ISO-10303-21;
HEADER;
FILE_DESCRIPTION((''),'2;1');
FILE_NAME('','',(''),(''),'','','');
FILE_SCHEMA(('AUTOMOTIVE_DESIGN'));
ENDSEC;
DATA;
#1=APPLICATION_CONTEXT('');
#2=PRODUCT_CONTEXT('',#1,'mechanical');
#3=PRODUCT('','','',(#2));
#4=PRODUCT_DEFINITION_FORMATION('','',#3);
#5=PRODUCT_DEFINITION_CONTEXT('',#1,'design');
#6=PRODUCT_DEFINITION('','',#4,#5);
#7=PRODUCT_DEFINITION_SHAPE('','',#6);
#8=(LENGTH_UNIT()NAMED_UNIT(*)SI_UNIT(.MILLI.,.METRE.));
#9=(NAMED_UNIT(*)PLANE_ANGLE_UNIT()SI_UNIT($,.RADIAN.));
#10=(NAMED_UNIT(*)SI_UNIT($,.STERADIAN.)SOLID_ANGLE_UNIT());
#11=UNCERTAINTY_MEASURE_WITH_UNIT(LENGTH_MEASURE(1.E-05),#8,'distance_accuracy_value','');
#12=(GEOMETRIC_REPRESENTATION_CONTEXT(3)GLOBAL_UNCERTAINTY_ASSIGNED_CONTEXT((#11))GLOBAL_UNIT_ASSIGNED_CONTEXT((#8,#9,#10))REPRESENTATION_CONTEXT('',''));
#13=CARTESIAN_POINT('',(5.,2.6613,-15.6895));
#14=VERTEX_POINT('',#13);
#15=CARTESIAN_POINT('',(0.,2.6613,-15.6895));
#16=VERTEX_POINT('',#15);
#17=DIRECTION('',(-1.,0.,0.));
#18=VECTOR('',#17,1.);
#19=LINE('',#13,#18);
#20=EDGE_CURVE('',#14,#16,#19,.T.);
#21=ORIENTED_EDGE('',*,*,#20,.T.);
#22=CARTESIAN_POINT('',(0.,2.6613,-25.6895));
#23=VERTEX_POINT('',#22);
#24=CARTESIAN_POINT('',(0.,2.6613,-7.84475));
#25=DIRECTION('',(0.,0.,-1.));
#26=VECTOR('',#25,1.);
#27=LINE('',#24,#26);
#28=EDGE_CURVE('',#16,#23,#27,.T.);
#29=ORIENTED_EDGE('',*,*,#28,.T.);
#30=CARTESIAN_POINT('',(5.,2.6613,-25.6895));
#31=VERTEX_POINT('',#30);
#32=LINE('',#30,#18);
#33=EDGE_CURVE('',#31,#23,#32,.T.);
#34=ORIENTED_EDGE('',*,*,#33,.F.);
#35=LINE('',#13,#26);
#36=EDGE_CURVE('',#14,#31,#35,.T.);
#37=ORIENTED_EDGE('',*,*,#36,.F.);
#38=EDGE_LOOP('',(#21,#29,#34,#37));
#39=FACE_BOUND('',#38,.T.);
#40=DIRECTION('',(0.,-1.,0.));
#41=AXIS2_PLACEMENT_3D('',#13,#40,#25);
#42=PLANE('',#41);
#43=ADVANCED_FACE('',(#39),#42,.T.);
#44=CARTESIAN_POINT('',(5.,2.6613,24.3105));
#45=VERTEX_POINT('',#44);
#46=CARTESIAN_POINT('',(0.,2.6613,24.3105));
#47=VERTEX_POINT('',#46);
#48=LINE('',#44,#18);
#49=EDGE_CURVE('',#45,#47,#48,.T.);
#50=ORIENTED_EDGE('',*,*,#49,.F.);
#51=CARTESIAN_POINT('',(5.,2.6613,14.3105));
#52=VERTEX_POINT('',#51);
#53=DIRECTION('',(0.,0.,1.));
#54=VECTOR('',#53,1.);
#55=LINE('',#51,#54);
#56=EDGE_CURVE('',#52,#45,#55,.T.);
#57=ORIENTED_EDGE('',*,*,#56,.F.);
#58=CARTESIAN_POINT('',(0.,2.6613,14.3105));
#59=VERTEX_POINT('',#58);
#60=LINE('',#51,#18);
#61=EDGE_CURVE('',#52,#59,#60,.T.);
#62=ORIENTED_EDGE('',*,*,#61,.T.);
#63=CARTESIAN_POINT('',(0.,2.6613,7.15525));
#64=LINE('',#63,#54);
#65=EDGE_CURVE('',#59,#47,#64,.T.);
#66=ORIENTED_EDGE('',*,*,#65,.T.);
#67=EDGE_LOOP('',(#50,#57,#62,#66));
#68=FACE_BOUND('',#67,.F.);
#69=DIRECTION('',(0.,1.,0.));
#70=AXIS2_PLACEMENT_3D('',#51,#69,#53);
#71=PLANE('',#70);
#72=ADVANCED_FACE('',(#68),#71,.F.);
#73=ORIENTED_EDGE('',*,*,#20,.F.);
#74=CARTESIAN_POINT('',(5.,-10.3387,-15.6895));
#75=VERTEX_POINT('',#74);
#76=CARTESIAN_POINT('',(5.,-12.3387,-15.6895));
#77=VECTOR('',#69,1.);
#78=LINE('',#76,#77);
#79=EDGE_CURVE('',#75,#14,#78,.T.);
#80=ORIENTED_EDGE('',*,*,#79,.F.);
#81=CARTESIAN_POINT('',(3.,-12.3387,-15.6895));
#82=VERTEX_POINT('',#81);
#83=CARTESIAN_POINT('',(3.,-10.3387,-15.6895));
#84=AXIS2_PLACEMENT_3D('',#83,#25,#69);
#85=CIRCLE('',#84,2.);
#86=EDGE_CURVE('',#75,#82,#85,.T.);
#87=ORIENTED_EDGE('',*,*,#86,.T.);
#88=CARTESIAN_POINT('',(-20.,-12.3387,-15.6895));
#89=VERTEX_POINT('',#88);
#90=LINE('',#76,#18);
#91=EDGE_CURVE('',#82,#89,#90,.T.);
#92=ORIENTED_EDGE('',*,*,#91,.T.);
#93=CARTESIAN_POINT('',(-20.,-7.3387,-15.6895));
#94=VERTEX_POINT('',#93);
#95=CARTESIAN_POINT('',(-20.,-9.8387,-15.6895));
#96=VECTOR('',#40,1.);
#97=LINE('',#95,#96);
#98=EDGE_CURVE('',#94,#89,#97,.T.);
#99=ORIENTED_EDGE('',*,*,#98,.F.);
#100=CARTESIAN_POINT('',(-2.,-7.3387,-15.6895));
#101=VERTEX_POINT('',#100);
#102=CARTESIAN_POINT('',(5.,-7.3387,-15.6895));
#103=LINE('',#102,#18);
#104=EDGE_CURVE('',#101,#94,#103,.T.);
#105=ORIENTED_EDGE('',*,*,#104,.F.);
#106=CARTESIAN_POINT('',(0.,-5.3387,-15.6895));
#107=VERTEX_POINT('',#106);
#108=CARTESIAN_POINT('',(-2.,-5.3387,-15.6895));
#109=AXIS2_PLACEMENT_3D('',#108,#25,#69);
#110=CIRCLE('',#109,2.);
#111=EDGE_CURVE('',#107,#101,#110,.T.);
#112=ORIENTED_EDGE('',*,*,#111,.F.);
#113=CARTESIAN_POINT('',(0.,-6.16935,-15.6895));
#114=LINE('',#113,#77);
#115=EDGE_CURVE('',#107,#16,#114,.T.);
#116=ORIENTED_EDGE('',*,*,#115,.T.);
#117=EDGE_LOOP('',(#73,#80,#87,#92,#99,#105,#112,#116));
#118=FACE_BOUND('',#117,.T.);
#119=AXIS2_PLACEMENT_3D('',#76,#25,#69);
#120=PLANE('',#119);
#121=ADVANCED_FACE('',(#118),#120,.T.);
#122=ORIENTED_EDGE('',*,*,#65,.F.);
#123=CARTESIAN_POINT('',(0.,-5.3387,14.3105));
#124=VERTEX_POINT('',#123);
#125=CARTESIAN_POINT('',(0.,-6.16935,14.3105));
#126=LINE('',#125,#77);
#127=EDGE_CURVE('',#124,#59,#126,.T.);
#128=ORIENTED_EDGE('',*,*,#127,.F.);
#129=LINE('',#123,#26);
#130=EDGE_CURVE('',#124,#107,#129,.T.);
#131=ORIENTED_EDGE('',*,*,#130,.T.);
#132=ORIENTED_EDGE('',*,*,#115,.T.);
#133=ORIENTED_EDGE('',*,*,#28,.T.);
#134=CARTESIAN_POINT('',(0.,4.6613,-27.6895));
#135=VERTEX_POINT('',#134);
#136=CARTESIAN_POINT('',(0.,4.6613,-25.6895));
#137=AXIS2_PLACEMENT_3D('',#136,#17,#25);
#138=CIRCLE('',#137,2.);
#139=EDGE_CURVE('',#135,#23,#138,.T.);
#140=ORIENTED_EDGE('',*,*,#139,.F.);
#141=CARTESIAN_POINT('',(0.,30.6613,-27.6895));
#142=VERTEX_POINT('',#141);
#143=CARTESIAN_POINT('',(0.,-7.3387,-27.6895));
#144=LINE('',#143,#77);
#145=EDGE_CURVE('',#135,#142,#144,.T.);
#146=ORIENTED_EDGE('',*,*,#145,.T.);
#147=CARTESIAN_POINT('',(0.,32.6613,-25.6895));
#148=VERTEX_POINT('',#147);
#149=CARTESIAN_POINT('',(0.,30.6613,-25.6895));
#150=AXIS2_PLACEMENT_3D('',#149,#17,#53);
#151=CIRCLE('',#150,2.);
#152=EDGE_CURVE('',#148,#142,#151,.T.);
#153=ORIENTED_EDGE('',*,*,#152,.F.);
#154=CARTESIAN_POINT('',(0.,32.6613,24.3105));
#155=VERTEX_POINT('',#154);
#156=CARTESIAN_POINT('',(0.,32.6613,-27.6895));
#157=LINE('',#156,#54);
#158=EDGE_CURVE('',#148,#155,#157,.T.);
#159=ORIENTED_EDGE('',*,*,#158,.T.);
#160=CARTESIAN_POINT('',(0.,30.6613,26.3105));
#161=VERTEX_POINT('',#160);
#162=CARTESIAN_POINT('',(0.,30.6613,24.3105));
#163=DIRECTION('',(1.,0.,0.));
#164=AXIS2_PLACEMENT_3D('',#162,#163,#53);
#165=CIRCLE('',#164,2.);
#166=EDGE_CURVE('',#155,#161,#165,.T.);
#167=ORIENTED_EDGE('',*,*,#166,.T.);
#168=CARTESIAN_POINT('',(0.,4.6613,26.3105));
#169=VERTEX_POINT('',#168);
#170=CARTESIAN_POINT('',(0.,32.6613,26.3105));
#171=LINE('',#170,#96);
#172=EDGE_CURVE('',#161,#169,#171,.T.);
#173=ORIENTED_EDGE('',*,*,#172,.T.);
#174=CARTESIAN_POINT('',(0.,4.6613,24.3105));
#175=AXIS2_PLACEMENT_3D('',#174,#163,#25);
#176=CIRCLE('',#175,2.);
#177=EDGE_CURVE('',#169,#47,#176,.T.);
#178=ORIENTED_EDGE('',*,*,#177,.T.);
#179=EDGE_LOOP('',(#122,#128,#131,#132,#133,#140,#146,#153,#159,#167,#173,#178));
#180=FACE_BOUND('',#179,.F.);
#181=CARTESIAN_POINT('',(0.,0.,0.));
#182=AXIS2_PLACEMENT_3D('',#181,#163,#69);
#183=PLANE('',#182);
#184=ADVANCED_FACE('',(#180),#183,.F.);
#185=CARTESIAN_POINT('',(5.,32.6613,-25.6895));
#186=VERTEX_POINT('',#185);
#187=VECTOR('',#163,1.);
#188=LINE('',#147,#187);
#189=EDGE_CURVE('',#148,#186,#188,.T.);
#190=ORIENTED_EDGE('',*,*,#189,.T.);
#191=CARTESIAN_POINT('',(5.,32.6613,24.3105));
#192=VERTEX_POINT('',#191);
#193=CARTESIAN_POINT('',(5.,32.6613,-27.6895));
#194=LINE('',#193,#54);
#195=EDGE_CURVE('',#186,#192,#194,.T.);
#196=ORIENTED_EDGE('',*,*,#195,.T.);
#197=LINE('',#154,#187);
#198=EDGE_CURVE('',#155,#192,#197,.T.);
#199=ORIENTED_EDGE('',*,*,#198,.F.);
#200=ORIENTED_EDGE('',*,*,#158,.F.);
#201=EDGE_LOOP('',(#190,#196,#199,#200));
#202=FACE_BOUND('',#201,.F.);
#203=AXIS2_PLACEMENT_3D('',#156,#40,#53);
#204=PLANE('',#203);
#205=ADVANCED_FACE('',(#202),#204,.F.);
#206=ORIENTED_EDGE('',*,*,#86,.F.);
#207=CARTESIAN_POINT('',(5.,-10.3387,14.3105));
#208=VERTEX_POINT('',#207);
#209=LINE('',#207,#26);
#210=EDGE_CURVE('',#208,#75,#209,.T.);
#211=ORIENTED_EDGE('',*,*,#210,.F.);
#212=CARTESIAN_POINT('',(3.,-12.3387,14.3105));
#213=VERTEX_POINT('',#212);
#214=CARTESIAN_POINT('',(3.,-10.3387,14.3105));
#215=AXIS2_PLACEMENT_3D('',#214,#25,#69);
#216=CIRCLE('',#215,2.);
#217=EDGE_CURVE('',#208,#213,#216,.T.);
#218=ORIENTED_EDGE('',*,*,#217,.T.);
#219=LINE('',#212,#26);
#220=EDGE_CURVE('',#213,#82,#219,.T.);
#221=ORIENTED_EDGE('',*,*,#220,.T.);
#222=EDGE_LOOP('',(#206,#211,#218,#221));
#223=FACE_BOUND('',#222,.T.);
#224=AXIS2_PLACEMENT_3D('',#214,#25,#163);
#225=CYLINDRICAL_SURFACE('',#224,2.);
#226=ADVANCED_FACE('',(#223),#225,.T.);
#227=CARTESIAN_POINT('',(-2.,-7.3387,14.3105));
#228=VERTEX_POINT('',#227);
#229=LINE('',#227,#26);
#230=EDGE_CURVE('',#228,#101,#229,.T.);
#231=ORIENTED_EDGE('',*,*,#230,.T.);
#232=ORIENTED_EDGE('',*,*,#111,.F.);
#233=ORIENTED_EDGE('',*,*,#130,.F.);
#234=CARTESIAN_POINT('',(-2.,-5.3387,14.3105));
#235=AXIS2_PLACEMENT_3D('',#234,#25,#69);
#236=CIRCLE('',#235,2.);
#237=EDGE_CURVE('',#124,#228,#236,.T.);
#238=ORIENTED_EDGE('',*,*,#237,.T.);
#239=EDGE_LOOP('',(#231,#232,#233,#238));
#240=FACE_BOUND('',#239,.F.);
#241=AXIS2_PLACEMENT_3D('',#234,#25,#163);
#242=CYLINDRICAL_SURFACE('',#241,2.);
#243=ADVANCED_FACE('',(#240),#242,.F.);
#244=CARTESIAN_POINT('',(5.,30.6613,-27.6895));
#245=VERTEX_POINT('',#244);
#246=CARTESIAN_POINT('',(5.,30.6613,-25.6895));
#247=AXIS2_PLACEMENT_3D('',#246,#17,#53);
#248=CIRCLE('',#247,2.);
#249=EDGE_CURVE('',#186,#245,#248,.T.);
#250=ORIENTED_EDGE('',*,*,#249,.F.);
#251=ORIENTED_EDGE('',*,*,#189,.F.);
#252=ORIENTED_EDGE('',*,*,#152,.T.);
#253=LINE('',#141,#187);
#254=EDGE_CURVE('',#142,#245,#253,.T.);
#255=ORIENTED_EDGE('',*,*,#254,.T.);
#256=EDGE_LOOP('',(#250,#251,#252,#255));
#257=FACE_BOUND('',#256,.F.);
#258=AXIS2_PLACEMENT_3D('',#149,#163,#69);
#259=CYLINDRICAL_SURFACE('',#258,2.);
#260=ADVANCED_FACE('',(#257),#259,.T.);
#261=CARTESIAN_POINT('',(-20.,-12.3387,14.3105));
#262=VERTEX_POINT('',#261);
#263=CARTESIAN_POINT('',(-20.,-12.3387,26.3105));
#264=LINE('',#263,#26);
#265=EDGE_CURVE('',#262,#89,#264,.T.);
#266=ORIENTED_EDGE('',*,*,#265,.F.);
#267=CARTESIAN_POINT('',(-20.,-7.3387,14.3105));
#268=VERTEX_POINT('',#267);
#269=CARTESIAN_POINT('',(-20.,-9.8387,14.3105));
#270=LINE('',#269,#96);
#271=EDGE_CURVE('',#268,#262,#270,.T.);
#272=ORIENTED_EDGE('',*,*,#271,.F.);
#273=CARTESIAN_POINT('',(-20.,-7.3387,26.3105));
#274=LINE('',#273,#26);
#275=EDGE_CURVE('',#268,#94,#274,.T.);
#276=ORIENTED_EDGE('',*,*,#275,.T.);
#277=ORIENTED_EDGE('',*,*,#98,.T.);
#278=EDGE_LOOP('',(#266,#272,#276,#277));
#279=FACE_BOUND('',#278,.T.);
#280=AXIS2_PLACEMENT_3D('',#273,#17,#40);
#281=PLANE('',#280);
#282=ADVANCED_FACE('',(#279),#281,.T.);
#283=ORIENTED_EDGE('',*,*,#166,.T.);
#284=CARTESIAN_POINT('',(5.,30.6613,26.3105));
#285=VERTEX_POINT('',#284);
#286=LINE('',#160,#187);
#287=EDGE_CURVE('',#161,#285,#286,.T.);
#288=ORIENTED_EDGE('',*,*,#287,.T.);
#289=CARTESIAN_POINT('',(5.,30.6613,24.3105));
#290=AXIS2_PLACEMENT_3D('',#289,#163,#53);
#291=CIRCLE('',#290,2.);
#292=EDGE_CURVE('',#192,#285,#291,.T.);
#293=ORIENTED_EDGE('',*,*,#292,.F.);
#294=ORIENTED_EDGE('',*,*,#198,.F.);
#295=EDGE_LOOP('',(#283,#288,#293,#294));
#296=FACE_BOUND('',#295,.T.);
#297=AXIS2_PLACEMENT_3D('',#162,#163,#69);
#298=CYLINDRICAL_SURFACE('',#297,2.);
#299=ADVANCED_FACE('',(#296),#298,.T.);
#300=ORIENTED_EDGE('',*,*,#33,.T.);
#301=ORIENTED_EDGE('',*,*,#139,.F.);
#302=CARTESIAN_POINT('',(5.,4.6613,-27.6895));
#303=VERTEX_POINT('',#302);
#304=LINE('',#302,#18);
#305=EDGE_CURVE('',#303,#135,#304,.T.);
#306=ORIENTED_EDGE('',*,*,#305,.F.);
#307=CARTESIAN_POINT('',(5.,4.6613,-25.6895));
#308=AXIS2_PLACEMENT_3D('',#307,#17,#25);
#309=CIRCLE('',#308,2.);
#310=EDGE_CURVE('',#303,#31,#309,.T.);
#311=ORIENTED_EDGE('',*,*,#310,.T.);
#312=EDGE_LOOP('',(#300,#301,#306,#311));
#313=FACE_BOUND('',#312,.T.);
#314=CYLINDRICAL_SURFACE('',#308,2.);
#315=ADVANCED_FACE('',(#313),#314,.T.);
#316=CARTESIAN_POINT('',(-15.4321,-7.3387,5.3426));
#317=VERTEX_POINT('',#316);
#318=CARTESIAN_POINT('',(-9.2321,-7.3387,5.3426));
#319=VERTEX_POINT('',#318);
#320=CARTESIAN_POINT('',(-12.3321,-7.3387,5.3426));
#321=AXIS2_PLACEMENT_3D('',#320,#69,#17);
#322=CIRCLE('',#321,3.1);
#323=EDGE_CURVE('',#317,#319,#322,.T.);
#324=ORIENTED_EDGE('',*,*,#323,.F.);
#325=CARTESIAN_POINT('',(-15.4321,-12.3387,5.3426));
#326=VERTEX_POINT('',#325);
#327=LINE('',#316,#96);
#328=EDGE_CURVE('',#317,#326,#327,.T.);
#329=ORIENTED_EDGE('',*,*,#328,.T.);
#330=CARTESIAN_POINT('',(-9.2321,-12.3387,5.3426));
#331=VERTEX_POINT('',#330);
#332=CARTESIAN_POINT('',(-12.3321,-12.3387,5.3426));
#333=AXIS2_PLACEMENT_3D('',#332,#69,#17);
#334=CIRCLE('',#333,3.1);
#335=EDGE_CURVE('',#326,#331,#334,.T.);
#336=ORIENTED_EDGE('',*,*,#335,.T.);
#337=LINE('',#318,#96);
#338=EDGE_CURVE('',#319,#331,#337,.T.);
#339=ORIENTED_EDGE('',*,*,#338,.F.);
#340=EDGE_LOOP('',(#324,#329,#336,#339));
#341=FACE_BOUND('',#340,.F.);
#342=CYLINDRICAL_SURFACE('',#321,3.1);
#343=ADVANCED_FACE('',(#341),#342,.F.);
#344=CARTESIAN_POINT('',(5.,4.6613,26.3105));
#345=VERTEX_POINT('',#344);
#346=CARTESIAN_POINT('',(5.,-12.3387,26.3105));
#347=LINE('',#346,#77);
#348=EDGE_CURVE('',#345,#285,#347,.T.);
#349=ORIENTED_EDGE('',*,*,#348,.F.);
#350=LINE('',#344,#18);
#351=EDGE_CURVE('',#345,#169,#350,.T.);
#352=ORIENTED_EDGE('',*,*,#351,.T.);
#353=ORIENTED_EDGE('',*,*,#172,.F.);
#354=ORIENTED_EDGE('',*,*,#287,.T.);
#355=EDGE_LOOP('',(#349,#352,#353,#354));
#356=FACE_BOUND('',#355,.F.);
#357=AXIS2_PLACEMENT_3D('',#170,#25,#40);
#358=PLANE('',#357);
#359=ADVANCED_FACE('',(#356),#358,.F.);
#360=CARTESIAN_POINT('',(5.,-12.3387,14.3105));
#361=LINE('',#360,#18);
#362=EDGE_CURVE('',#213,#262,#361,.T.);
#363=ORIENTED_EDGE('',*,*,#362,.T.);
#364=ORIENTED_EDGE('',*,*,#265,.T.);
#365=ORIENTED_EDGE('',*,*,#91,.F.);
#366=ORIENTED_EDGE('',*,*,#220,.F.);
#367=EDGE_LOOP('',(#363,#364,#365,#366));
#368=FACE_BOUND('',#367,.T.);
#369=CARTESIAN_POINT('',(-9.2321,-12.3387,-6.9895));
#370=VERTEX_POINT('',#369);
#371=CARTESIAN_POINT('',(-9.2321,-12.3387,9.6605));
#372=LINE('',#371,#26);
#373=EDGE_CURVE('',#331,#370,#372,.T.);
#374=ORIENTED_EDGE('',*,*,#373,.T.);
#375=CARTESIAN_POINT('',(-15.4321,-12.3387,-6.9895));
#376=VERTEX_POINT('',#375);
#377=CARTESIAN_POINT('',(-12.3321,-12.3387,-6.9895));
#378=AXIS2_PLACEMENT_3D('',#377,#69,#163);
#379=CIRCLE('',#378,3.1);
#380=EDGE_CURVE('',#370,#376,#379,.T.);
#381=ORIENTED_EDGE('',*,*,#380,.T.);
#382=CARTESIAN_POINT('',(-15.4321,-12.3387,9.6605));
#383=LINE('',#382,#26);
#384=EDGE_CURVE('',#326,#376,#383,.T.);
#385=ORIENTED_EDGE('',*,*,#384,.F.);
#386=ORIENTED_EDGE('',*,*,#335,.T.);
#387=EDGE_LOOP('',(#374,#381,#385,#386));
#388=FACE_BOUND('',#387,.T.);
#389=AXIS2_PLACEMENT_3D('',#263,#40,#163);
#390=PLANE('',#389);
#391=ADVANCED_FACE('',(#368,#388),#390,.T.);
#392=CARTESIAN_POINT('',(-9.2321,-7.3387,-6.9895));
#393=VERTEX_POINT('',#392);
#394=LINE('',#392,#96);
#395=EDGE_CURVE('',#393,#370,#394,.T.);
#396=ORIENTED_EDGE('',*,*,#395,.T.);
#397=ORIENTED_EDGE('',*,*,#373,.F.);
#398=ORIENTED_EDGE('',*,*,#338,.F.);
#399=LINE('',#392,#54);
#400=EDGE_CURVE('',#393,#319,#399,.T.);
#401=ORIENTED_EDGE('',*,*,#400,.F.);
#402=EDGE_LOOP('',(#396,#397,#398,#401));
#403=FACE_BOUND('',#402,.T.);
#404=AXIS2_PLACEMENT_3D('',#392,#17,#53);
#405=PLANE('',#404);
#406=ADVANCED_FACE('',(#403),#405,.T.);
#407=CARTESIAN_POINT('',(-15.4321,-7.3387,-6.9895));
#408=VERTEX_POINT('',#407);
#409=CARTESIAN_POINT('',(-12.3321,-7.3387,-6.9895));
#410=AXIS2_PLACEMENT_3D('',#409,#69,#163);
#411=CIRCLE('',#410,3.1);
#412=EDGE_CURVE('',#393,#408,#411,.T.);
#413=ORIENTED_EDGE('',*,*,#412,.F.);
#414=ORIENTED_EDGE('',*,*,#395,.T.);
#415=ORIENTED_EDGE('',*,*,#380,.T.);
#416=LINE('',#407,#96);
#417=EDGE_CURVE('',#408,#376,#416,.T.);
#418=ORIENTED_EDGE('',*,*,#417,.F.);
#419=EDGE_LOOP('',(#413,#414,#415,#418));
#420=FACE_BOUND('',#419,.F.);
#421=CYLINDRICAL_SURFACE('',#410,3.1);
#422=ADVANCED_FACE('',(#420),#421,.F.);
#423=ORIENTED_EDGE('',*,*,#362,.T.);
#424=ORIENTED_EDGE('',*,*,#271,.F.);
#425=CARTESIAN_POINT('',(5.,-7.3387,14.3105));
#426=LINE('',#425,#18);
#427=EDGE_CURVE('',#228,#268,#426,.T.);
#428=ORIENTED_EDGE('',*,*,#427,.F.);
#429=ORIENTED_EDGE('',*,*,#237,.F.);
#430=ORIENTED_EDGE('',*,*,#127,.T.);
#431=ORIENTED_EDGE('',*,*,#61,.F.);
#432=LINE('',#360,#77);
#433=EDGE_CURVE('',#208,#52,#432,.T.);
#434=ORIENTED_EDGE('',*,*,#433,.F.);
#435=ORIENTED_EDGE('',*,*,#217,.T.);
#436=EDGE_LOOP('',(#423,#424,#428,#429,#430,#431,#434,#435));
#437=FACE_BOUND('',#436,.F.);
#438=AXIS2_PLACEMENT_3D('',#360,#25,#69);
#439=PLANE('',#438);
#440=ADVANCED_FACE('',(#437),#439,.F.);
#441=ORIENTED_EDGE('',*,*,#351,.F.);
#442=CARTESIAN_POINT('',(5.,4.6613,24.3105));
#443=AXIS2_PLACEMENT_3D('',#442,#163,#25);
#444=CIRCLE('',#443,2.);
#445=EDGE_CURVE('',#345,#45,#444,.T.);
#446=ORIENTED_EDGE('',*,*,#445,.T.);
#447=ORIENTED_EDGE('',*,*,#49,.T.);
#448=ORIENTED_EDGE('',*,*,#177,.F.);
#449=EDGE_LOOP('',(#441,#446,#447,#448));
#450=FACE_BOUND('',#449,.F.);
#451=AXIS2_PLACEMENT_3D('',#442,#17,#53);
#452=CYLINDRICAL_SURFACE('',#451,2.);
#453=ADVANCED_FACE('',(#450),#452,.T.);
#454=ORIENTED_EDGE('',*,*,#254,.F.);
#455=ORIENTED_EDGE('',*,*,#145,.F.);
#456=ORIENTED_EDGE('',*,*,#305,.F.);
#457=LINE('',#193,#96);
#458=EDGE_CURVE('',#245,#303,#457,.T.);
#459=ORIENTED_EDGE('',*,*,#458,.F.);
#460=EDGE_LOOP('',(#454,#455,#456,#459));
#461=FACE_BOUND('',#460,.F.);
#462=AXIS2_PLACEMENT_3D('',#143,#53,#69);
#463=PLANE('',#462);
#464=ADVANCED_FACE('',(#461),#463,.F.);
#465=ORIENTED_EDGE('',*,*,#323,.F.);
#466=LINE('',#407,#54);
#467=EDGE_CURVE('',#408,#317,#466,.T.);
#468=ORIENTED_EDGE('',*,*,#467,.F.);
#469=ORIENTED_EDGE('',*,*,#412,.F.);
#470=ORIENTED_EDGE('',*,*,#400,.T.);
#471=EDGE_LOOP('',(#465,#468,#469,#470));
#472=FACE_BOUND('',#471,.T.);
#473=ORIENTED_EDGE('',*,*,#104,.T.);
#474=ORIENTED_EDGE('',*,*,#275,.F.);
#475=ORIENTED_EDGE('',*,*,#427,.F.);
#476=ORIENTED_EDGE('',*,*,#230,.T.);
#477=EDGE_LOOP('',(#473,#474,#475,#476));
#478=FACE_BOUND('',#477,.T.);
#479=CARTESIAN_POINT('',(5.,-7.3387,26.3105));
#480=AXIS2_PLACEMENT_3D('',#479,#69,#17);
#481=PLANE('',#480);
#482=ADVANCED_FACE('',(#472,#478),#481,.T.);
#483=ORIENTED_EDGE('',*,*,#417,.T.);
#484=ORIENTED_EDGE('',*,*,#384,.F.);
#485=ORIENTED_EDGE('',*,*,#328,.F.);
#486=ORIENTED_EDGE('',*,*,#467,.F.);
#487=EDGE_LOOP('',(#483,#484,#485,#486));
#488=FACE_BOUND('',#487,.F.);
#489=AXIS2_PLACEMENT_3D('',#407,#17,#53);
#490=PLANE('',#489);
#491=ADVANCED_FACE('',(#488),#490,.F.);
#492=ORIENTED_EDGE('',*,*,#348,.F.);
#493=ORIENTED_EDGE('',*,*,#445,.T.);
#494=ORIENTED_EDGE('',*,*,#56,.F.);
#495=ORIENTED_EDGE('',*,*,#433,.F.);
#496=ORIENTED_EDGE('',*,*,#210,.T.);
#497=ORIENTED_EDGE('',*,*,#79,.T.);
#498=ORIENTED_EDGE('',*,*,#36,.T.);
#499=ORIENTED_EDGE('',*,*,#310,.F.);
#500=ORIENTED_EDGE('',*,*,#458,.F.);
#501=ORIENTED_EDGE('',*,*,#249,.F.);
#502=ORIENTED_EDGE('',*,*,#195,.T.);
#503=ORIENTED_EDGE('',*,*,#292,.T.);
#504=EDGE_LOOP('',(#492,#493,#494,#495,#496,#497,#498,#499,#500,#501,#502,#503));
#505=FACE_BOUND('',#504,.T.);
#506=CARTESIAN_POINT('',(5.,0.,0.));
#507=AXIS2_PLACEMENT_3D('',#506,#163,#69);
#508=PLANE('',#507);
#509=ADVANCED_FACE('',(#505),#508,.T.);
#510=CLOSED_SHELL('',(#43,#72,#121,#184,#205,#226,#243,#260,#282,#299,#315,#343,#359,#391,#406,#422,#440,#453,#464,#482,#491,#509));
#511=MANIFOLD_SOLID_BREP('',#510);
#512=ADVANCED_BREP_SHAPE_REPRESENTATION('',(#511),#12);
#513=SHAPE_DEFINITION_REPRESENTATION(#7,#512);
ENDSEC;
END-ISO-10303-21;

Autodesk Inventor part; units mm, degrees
ref_plane "YZ Plane" through (0, 0, 0) normal (1, 0, 0) x (0, 1, 0)
ref_plane "XZ Plane" through (0, 0, 0) normal (0, 1, 0) x (-1, 0, 0)
ref_plane "XY Plane" through (0, 0, 0) normal (0, 0, 1) x (1, 0, 0)
sketch "Sketch1" plane through (0, 0, 0) normal (1, 0, 0) x (0, 1, 0)
  line L0 (32.6613, 26.3105) -> (-7.3387, 26.3105)
  line L1 (-7.3387, 26.3105) -> (-7.3387, -27.6895)
  line L2 (-7.3387, -27.6895) -> (32.6613, -27.6895)
  line L3 (32.6613, -27.6895) -> (32.6613, 26.3105)
  point P0 (0, 0)
  dimension "d0" = 40
  dimension "d1" = 54
extrude "Extrusion1" add sketch "Sketch1" along normal blind 5
sketch "Sketch2" plane through (0, -7.3387, 26.3105) normal (0, 0, 1) x (1, 0, 0)
  line L0 (5, 0) -> (-20, 0)
  line L1 (-20, 0) -> (-20, -5)
  line L2 (-20, -5) -> (5, -5)
  line L3 (5, -5) -> (5, 0)
  point P0 (0, 7.3387)
  dimension "d4" = 5
  dimension "d5" = 25
extrude "Extrusion2" add sketch "Sketch2" against normal blind 54
sketch "Sketch3" plane through (5, 0, 0) normal (1, 0, 0) x (0, 0, -1)
  line L0 (-26.3105, 32.6613) -> (-26.3105, -12.3387) projected
  line L1 (-26.3105, -12.3387) -> (-14.3105, -12.3387)
  line L2 (-14.3105, -12.3387) -> (-14.3105, 2.6613)
  line L3 (-14.3105, 2.6613) -> (-26.3105, 2.6613)
  line L4 (-26.3105, 2.6613) -> (-26.3105, -12.3387)
  line L5 (-26.3105, -12.3387) -> (27.6895, -12.3387) projected
  line L6 (27.6895, -12.3387) -> (15.6895, -12.3387)
  line L7 (15.6895, -12.3387) -> (15.6895, 2.6613)
  line L8 (15.6895, 2.6613) -> (27.6895, 2.6613)
  line L9 (27.6895, 2.6613) -> (27.6895, -12.3387)
  point P0 (0, 0)
  point P1 (15.6895, -12.3387)
  dimension "d8" = 12
  dimension "d9" = 12
  dimension "d10" = 15
  dimension "d11" = 15
extrude "Extrusion3" cut sketch "Sketch3" against normal through all
fillet "Fillet1" radius 2 4 edges at (2.5, 2.6613, 26.3105) (2.5, 2.6613, -27.6895) (2.5, 32.6613, -27.6895) (2.5, 32.6613, 26.3105)
fillet "Fillet2" radius 2 1 edges at (0, -7.3387, -0.6895)
sketch "Sketch4" plane through (-20, -7.3387, 14.3105) normal (0, 1, 0) x (1, 0, 0)
  arc A0 (10.7679, 21.3) -> (4.5679, 21.3) centre (7.6679, 21.3) ccw
  arc A1 (4.5679, 8.9679) -> (10.7679, 8.9679) centre (7.6679, 8.9679) ccw
  line L0 (10.7679, 21.3) -> (10.7679, 8.9679)
  line L1 (4.5679, 21.3) -> (4.5679, 8.9679)
  line L2 (18, 30) -> (0, 30) projected
  point P0 (20, 14.3105)
  dimension "d16" = 6.2
  dimension "d17" = 6.2
  dimension "d18" = 8.7
extrude "Extrusion4" cut sketch "Sketch4" against normal through all
fillet "Fillet3" radius 2 1 edges at (5, -12.3387, -0.6895)
properties part number "end plate"
